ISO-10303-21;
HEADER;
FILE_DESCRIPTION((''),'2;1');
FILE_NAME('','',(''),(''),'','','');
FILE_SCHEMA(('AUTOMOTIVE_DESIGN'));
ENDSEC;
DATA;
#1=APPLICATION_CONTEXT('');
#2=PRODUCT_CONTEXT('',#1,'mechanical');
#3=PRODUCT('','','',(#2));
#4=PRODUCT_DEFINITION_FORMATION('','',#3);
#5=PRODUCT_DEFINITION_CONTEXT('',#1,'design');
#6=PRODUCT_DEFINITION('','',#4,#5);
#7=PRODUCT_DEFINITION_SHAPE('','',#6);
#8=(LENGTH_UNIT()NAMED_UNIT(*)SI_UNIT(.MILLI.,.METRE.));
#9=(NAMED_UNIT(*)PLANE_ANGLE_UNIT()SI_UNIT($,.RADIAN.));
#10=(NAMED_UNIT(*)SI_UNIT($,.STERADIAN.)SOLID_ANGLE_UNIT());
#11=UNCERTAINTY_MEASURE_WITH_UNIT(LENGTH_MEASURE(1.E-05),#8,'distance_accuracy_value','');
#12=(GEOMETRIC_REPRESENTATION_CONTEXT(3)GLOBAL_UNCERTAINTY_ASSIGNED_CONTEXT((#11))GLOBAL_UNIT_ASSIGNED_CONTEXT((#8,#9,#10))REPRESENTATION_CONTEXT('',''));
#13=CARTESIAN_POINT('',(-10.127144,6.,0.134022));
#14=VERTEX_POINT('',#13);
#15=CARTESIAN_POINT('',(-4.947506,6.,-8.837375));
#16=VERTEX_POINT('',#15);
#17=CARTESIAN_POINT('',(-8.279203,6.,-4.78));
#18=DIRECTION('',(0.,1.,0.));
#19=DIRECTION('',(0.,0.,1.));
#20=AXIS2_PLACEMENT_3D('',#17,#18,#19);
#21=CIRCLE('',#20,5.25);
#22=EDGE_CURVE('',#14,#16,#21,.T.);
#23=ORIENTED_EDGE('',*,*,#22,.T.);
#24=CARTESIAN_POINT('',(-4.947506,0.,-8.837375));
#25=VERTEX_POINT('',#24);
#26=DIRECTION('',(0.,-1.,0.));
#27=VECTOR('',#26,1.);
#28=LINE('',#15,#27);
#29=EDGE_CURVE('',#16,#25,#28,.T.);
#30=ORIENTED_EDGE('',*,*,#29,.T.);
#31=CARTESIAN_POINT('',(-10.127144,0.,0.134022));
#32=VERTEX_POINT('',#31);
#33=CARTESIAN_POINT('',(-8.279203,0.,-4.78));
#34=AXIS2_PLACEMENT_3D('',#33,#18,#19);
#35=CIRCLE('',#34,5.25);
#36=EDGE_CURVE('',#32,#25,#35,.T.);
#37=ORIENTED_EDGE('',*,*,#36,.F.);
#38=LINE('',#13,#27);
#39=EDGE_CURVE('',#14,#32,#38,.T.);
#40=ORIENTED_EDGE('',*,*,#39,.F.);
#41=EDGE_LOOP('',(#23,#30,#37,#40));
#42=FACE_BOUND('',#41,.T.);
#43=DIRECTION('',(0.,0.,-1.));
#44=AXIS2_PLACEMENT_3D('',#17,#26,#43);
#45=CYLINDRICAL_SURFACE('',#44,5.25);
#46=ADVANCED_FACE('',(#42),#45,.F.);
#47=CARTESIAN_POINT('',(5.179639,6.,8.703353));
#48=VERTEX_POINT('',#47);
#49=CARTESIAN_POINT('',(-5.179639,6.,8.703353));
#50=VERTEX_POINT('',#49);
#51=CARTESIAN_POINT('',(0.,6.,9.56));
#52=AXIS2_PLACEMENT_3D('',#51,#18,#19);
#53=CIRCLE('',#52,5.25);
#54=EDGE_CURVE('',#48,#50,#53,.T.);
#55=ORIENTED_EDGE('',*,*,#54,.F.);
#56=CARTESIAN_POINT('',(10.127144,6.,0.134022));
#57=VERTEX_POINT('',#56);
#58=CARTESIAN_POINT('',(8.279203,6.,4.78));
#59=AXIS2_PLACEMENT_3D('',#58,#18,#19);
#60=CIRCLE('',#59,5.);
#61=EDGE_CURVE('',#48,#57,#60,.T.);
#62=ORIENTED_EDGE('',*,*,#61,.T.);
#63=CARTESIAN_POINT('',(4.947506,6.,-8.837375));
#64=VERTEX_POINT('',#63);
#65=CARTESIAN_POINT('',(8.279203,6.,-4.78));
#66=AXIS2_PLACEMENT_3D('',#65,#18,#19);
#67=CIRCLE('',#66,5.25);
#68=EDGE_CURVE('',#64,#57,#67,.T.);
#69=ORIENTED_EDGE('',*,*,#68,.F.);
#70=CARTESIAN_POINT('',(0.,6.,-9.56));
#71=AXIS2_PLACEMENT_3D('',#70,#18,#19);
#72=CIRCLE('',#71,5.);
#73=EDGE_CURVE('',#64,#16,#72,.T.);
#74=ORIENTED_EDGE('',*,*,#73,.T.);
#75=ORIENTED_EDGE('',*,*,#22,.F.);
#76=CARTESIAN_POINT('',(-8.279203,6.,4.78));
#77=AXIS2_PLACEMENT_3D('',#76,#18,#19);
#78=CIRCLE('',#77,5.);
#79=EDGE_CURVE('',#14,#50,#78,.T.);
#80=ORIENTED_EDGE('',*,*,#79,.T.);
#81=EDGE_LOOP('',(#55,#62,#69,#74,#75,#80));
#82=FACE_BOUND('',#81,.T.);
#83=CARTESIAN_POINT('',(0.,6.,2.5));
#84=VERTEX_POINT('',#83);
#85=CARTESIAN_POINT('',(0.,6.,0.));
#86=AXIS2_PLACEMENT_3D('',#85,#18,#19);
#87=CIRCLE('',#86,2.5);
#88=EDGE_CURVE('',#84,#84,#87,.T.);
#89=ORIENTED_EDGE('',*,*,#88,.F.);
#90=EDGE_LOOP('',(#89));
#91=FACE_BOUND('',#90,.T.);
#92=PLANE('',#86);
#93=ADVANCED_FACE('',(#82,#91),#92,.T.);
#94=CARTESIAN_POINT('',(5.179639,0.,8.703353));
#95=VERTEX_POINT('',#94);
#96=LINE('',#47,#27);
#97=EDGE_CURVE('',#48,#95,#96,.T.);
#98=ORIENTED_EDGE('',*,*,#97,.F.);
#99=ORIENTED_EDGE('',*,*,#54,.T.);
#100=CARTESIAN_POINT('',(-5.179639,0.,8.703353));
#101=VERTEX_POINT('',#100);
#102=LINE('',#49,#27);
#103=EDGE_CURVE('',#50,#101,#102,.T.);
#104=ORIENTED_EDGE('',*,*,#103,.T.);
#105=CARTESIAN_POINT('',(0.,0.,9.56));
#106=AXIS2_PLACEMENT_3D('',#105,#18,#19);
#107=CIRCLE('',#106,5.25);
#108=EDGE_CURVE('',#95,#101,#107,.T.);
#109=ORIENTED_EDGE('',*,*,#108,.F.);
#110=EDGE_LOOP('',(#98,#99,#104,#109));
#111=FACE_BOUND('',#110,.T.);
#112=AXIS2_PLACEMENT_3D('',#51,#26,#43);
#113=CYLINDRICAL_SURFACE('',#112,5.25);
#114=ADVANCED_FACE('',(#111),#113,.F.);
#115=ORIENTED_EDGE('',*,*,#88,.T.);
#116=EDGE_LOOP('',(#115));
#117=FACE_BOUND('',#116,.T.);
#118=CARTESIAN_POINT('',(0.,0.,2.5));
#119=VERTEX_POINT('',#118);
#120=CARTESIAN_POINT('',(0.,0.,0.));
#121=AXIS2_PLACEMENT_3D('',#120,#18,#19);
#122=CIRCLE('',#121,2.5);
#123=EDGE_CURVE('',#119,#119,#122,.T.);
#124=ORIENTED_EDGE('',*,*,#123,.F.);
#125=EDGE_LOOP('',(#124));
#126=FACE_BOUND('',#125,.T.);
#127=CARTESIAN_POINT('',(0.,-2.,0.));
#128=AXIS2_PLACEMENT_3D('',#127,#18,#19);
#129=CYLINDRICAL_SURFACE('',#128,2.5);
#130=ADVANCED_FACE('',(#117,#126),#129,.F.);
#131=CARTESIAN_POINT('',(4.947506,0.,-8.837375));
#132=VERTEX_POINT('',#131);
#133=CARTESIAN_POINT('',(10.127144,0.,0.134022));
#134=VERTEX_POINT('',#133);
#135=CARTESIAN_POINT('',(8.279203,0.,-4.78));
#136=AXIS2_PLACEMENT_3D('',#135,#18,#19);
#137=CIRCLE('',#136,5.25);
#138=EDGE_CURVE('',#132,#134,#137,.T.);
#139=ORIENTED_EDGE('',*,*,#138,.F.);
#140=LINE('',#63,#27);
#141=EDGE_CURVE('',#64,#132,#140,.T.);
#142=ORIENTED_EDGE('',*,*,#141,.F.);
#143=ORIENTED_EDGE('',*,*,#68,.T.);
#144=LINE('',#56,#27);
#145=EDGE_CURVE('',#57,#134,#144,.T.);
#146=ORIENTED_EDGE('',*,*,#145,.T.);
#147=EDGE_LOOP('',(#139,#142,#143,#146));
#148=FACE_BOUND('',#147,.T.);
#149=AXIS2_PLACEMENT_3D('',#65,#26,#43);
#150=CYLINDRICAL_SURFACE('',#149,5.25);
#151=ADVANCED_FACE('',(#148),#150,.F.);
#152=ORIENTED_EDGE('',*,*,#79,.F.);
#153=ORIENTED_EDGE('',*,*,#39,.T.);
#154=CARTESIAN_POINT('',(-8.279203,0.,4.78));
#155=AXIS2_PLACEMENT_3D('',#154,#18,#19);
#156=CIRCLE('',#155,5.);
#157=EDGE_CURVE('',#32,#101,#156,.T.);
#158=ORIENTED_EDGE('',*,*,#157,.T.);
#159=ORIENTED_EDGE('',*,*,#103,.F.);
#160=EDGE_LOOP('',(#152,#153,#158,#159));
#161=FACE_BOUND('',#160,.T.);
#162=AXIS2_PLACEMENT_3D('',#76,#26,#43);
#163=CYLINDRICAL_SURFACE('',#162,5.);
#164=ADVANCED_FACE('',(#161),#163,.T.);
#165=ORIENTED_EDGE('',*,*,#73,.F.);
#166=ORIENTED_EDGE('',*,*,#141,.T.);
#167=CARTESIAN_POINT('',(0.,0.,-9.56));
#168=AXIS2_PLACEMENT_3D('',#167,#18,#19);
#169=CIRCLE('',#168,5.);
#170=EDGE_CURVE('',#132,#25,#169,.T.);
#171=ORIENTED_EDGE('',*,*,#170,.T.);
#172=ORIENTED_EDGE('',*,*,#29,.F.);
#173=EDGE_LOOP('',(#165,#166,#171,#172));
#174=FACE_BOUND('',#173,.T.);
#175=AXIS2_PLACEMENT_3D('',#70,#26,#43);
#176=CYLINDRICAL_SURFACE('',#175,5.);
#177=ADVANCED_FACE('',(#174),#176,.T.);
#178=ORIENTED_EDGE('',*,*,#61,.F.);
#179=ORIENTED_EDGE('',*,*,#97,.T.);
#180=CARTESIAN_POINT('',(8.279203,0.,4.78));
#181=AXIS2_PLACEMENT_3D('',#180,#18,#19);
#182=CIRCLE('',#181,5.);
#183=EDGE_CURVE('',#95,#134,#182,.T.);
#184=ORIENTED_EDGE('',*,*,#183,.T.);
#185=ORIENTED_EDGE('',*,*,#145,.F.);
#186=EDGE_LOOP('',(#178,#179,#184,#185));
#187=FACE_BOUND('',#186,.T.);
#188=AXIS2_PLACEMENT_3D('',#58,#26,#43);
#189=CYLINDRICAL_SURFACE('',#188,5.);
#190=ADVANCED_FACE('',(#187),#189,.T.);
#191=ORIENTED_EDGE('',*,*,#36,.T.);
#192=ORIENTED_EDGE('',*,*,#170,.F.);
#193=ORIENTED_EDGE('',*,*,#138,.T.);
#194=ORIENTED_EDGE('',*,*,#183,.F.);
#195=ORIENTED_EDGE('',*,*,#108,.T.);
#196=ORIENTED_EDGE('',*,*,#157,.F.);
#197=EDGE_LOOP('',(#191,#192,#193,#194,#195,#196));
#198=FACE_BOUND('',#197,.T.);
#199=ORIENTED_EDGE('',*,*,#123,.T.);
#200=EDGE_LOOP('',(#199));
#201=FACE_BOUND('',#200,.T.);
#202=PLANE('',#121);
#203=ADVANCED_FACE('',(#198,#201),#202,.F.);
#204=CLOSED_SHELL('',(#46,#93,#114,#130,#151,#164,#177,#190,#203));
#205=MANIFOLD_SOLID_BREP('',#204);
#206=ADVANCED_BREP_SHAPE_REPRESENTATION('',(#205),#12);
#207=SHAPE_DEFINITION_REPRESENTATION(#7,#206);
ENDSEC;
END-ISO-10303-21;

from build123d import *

# Parameters (mm, degrees)
BOSS_EXTRUDE1_DEPTH = 6
SKETCH3_R           = 2.5
CUT_EXTRUDE1_DEPTH  = 8


with BuildPart() as part:
    # Sketch2 → Boss-Extrude1 (new body)
    with BuildSketch(Plane(origin=(0, 0, 0), x_dir=(1, 0, 0), z_dir=(0, 1, 0))):
        with BuildLine():
            ThreePointArc((10.127144448, -0.134021967), (3.73256949, 2.155), (4.947505796, 8.837375343))
            ThreePointArc((4.947505796, 8.837375343), (0, 14.56), (-4.947505796, 8.837375343))
            ThreePointArc((-4.947505796, 8.837375343), (-3.73256949, 2.155), (-10.127144448, -0.134021967))
            ThreePointArc((-10.127144448, -0.134021967), (-12.609329879, -7.28), (-5.179638652, -8.703353377))
            ThreePointArc((-5.179638652, -8.703353377), (0, -4.31), (5.179638652, -8.703353377))
            ThreePointArc((5.179638652, -8.703353377), (12.609329879, -7.28), (10.127144448, -0.134021967))
        make_face()
    extrude(amount=BOSS_EXTRUDE1_DEPTH)

    # Sketch3 → Cut-Extrude1 (cut)
    with BuildSketch(Plane(origin=(0, 6, 0), x_dir=(1, 0, 0), z_dir=(0, 1, 0))):
        Circle(SKETCH3_R)
    extrude(amount=-CUT_EXTRUDE1_DEPTH, mode=Mode.SUBTRACT)


solid = part.part
